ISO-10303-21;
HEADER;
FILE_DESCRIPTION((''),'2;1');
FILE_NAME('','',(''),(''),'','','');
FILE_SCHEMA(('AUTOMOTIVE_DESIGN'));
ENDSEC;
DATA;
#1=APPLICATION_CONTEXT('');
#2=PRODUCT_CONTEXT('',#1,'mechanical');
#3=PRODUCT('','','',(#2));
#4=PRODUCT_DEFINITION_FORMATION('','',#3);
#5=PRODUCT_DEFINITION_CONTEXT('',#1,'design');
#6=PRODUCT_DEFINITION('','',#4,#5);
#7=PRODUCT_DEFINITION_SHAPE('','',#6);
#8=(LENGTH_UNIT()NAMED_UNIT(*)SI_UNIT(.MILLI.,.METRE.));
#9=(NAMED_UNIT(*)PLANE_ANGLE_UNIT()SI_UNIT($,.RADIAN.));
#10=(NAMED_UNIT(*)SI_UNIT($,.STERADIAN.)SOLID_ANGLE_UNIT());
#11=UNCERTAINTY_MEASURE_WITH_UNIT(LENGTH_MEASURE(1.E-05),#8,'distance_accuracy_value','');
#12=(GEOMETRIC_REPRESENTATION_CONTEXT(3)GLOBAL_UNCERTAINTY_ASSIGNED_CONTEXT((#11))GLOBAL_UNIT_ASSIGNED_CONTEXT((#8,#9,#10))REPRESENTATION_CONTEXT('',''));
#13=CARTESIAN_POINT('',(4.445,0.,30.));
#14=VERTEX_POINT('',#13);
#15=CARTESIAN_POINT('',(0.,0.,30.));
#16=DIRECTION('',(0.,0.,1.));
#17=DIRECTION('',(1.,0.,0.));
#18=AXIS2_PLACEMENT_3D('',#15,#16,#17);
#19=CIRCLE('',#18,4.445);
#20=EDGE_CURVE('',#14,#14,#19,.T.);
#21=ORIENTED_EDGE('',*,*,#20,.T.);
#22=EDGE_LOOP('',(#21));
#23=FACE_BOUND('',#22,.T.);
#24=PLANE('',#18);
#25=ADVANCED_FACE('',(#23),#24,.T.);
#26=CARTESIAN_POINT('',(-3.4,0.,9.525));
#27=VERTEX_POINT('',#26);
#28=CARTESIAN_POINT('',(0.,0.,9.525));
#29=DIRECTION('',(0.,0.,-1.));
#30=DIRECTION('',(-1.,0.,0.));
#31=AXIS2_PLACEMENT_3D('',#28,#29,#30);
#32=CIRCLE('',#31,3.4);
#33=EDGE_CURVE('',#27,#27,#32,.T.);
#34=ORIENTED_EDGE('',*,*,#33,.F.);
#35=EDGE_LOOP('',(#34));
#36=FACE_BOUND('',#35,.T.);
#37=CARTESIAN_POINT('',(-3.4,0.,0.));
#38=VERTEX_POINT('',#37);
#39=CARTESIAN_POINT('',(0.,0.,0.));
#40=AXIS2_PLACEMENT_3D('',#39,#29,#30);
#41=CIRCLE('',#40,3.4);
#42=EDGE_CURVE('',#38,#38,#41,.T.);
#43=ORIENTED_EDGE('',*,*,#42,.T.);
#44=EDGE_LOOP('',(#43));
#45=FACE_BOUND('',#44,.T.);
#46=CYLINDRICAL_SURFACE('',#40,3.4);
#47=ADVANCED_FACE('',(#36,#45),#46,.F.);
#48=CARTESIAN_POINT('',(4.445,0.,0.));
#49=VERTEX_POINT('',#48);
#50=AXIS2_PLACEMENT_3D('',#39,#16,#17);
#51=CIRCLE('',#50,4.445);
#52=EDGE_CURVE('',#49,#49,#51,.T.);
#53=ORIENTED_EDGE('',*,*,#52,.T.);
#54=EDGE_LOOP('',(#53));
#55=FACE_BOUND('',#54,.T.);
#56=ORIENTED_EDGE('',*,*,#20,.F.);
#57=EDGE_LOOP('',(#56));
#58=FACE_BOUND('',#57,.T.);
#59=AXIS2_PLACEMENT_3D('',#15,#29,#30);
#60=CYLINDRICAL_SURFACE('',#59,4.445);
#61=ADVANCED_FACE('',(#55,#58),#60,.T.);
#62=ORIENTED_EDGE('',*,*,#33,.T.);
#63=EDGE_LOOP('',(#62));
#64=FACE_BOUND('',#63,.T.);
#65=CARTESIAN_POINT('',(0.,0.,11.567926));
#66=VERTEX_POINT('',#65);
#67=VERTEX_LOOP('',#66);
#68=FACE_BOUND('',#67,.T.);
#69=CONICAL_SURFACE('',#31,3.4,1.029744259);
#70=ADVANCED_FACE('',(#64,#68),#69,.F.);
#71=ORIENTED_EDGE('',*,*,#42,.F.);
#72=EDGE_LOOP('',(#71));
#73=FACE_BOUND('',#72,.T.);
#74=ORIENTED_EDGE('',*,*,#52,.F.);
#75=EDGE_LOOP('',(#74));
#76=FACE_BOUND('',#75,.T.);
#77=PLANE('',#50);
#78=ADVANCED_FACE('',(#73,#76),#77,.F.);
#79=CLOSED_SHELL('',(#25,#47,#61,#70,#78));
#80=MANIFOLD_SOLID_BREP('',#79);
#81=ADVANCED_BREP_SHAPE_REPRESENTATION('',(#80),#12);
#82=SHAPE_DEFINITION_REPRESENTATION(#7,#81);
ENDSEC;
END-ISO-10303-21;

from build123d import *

# Parameters (mm, degrees)
SKETCH1_R                        = 4.445
L12_SHAFT_DEPTH                  = 30
TAP_DRILL_FOR_M8X1_25_TAP1_D     = 6.8
TAP_DRILL_FOR_M8X1_25_TAP1_DEPTH = 9.525
TAP_DRILL_FOR_M8X1_25_TAP1_TIP   = 2.042926105


with BuildPart() as part:
    # Sketch1 → L12_Shaft (new body)
    with BuildSketch(Plane.XY):
        Circle(SKETCH1_R)
    extrude(amount=L12_SHAFT_DEPTH)

    # Tap Drill for M8x1.25 Tap1
    with Locations(Plane(origin=(0, 0, 0), x_dir=(-1, 0, 0), z_dir=(0, 0, -1))):
        with Locations((0, 0)):
            Hole(TAP_DRILL_FOR_M8X1_25_TAP1_D / 2, depth=TAP_DRILL_FOR_M8X1_25_TAP1_DEPTH)
            with Locations((0, 0, -(TAP_DRILL_FOR_M8X1_25_TAP1_DEPTH + TAP_DRILL_FOR_M8X1_25_TAP1_TIP / 2))):  # 118° drill point
                Cone(0, TAP_DRILL_FOR_M8X1_25_TAP1_D / 2, TAP_DRILL_FOR_M8X1_25_TAP1_TIP, mode=Mode.SUBTRACT)


solid = part.part
